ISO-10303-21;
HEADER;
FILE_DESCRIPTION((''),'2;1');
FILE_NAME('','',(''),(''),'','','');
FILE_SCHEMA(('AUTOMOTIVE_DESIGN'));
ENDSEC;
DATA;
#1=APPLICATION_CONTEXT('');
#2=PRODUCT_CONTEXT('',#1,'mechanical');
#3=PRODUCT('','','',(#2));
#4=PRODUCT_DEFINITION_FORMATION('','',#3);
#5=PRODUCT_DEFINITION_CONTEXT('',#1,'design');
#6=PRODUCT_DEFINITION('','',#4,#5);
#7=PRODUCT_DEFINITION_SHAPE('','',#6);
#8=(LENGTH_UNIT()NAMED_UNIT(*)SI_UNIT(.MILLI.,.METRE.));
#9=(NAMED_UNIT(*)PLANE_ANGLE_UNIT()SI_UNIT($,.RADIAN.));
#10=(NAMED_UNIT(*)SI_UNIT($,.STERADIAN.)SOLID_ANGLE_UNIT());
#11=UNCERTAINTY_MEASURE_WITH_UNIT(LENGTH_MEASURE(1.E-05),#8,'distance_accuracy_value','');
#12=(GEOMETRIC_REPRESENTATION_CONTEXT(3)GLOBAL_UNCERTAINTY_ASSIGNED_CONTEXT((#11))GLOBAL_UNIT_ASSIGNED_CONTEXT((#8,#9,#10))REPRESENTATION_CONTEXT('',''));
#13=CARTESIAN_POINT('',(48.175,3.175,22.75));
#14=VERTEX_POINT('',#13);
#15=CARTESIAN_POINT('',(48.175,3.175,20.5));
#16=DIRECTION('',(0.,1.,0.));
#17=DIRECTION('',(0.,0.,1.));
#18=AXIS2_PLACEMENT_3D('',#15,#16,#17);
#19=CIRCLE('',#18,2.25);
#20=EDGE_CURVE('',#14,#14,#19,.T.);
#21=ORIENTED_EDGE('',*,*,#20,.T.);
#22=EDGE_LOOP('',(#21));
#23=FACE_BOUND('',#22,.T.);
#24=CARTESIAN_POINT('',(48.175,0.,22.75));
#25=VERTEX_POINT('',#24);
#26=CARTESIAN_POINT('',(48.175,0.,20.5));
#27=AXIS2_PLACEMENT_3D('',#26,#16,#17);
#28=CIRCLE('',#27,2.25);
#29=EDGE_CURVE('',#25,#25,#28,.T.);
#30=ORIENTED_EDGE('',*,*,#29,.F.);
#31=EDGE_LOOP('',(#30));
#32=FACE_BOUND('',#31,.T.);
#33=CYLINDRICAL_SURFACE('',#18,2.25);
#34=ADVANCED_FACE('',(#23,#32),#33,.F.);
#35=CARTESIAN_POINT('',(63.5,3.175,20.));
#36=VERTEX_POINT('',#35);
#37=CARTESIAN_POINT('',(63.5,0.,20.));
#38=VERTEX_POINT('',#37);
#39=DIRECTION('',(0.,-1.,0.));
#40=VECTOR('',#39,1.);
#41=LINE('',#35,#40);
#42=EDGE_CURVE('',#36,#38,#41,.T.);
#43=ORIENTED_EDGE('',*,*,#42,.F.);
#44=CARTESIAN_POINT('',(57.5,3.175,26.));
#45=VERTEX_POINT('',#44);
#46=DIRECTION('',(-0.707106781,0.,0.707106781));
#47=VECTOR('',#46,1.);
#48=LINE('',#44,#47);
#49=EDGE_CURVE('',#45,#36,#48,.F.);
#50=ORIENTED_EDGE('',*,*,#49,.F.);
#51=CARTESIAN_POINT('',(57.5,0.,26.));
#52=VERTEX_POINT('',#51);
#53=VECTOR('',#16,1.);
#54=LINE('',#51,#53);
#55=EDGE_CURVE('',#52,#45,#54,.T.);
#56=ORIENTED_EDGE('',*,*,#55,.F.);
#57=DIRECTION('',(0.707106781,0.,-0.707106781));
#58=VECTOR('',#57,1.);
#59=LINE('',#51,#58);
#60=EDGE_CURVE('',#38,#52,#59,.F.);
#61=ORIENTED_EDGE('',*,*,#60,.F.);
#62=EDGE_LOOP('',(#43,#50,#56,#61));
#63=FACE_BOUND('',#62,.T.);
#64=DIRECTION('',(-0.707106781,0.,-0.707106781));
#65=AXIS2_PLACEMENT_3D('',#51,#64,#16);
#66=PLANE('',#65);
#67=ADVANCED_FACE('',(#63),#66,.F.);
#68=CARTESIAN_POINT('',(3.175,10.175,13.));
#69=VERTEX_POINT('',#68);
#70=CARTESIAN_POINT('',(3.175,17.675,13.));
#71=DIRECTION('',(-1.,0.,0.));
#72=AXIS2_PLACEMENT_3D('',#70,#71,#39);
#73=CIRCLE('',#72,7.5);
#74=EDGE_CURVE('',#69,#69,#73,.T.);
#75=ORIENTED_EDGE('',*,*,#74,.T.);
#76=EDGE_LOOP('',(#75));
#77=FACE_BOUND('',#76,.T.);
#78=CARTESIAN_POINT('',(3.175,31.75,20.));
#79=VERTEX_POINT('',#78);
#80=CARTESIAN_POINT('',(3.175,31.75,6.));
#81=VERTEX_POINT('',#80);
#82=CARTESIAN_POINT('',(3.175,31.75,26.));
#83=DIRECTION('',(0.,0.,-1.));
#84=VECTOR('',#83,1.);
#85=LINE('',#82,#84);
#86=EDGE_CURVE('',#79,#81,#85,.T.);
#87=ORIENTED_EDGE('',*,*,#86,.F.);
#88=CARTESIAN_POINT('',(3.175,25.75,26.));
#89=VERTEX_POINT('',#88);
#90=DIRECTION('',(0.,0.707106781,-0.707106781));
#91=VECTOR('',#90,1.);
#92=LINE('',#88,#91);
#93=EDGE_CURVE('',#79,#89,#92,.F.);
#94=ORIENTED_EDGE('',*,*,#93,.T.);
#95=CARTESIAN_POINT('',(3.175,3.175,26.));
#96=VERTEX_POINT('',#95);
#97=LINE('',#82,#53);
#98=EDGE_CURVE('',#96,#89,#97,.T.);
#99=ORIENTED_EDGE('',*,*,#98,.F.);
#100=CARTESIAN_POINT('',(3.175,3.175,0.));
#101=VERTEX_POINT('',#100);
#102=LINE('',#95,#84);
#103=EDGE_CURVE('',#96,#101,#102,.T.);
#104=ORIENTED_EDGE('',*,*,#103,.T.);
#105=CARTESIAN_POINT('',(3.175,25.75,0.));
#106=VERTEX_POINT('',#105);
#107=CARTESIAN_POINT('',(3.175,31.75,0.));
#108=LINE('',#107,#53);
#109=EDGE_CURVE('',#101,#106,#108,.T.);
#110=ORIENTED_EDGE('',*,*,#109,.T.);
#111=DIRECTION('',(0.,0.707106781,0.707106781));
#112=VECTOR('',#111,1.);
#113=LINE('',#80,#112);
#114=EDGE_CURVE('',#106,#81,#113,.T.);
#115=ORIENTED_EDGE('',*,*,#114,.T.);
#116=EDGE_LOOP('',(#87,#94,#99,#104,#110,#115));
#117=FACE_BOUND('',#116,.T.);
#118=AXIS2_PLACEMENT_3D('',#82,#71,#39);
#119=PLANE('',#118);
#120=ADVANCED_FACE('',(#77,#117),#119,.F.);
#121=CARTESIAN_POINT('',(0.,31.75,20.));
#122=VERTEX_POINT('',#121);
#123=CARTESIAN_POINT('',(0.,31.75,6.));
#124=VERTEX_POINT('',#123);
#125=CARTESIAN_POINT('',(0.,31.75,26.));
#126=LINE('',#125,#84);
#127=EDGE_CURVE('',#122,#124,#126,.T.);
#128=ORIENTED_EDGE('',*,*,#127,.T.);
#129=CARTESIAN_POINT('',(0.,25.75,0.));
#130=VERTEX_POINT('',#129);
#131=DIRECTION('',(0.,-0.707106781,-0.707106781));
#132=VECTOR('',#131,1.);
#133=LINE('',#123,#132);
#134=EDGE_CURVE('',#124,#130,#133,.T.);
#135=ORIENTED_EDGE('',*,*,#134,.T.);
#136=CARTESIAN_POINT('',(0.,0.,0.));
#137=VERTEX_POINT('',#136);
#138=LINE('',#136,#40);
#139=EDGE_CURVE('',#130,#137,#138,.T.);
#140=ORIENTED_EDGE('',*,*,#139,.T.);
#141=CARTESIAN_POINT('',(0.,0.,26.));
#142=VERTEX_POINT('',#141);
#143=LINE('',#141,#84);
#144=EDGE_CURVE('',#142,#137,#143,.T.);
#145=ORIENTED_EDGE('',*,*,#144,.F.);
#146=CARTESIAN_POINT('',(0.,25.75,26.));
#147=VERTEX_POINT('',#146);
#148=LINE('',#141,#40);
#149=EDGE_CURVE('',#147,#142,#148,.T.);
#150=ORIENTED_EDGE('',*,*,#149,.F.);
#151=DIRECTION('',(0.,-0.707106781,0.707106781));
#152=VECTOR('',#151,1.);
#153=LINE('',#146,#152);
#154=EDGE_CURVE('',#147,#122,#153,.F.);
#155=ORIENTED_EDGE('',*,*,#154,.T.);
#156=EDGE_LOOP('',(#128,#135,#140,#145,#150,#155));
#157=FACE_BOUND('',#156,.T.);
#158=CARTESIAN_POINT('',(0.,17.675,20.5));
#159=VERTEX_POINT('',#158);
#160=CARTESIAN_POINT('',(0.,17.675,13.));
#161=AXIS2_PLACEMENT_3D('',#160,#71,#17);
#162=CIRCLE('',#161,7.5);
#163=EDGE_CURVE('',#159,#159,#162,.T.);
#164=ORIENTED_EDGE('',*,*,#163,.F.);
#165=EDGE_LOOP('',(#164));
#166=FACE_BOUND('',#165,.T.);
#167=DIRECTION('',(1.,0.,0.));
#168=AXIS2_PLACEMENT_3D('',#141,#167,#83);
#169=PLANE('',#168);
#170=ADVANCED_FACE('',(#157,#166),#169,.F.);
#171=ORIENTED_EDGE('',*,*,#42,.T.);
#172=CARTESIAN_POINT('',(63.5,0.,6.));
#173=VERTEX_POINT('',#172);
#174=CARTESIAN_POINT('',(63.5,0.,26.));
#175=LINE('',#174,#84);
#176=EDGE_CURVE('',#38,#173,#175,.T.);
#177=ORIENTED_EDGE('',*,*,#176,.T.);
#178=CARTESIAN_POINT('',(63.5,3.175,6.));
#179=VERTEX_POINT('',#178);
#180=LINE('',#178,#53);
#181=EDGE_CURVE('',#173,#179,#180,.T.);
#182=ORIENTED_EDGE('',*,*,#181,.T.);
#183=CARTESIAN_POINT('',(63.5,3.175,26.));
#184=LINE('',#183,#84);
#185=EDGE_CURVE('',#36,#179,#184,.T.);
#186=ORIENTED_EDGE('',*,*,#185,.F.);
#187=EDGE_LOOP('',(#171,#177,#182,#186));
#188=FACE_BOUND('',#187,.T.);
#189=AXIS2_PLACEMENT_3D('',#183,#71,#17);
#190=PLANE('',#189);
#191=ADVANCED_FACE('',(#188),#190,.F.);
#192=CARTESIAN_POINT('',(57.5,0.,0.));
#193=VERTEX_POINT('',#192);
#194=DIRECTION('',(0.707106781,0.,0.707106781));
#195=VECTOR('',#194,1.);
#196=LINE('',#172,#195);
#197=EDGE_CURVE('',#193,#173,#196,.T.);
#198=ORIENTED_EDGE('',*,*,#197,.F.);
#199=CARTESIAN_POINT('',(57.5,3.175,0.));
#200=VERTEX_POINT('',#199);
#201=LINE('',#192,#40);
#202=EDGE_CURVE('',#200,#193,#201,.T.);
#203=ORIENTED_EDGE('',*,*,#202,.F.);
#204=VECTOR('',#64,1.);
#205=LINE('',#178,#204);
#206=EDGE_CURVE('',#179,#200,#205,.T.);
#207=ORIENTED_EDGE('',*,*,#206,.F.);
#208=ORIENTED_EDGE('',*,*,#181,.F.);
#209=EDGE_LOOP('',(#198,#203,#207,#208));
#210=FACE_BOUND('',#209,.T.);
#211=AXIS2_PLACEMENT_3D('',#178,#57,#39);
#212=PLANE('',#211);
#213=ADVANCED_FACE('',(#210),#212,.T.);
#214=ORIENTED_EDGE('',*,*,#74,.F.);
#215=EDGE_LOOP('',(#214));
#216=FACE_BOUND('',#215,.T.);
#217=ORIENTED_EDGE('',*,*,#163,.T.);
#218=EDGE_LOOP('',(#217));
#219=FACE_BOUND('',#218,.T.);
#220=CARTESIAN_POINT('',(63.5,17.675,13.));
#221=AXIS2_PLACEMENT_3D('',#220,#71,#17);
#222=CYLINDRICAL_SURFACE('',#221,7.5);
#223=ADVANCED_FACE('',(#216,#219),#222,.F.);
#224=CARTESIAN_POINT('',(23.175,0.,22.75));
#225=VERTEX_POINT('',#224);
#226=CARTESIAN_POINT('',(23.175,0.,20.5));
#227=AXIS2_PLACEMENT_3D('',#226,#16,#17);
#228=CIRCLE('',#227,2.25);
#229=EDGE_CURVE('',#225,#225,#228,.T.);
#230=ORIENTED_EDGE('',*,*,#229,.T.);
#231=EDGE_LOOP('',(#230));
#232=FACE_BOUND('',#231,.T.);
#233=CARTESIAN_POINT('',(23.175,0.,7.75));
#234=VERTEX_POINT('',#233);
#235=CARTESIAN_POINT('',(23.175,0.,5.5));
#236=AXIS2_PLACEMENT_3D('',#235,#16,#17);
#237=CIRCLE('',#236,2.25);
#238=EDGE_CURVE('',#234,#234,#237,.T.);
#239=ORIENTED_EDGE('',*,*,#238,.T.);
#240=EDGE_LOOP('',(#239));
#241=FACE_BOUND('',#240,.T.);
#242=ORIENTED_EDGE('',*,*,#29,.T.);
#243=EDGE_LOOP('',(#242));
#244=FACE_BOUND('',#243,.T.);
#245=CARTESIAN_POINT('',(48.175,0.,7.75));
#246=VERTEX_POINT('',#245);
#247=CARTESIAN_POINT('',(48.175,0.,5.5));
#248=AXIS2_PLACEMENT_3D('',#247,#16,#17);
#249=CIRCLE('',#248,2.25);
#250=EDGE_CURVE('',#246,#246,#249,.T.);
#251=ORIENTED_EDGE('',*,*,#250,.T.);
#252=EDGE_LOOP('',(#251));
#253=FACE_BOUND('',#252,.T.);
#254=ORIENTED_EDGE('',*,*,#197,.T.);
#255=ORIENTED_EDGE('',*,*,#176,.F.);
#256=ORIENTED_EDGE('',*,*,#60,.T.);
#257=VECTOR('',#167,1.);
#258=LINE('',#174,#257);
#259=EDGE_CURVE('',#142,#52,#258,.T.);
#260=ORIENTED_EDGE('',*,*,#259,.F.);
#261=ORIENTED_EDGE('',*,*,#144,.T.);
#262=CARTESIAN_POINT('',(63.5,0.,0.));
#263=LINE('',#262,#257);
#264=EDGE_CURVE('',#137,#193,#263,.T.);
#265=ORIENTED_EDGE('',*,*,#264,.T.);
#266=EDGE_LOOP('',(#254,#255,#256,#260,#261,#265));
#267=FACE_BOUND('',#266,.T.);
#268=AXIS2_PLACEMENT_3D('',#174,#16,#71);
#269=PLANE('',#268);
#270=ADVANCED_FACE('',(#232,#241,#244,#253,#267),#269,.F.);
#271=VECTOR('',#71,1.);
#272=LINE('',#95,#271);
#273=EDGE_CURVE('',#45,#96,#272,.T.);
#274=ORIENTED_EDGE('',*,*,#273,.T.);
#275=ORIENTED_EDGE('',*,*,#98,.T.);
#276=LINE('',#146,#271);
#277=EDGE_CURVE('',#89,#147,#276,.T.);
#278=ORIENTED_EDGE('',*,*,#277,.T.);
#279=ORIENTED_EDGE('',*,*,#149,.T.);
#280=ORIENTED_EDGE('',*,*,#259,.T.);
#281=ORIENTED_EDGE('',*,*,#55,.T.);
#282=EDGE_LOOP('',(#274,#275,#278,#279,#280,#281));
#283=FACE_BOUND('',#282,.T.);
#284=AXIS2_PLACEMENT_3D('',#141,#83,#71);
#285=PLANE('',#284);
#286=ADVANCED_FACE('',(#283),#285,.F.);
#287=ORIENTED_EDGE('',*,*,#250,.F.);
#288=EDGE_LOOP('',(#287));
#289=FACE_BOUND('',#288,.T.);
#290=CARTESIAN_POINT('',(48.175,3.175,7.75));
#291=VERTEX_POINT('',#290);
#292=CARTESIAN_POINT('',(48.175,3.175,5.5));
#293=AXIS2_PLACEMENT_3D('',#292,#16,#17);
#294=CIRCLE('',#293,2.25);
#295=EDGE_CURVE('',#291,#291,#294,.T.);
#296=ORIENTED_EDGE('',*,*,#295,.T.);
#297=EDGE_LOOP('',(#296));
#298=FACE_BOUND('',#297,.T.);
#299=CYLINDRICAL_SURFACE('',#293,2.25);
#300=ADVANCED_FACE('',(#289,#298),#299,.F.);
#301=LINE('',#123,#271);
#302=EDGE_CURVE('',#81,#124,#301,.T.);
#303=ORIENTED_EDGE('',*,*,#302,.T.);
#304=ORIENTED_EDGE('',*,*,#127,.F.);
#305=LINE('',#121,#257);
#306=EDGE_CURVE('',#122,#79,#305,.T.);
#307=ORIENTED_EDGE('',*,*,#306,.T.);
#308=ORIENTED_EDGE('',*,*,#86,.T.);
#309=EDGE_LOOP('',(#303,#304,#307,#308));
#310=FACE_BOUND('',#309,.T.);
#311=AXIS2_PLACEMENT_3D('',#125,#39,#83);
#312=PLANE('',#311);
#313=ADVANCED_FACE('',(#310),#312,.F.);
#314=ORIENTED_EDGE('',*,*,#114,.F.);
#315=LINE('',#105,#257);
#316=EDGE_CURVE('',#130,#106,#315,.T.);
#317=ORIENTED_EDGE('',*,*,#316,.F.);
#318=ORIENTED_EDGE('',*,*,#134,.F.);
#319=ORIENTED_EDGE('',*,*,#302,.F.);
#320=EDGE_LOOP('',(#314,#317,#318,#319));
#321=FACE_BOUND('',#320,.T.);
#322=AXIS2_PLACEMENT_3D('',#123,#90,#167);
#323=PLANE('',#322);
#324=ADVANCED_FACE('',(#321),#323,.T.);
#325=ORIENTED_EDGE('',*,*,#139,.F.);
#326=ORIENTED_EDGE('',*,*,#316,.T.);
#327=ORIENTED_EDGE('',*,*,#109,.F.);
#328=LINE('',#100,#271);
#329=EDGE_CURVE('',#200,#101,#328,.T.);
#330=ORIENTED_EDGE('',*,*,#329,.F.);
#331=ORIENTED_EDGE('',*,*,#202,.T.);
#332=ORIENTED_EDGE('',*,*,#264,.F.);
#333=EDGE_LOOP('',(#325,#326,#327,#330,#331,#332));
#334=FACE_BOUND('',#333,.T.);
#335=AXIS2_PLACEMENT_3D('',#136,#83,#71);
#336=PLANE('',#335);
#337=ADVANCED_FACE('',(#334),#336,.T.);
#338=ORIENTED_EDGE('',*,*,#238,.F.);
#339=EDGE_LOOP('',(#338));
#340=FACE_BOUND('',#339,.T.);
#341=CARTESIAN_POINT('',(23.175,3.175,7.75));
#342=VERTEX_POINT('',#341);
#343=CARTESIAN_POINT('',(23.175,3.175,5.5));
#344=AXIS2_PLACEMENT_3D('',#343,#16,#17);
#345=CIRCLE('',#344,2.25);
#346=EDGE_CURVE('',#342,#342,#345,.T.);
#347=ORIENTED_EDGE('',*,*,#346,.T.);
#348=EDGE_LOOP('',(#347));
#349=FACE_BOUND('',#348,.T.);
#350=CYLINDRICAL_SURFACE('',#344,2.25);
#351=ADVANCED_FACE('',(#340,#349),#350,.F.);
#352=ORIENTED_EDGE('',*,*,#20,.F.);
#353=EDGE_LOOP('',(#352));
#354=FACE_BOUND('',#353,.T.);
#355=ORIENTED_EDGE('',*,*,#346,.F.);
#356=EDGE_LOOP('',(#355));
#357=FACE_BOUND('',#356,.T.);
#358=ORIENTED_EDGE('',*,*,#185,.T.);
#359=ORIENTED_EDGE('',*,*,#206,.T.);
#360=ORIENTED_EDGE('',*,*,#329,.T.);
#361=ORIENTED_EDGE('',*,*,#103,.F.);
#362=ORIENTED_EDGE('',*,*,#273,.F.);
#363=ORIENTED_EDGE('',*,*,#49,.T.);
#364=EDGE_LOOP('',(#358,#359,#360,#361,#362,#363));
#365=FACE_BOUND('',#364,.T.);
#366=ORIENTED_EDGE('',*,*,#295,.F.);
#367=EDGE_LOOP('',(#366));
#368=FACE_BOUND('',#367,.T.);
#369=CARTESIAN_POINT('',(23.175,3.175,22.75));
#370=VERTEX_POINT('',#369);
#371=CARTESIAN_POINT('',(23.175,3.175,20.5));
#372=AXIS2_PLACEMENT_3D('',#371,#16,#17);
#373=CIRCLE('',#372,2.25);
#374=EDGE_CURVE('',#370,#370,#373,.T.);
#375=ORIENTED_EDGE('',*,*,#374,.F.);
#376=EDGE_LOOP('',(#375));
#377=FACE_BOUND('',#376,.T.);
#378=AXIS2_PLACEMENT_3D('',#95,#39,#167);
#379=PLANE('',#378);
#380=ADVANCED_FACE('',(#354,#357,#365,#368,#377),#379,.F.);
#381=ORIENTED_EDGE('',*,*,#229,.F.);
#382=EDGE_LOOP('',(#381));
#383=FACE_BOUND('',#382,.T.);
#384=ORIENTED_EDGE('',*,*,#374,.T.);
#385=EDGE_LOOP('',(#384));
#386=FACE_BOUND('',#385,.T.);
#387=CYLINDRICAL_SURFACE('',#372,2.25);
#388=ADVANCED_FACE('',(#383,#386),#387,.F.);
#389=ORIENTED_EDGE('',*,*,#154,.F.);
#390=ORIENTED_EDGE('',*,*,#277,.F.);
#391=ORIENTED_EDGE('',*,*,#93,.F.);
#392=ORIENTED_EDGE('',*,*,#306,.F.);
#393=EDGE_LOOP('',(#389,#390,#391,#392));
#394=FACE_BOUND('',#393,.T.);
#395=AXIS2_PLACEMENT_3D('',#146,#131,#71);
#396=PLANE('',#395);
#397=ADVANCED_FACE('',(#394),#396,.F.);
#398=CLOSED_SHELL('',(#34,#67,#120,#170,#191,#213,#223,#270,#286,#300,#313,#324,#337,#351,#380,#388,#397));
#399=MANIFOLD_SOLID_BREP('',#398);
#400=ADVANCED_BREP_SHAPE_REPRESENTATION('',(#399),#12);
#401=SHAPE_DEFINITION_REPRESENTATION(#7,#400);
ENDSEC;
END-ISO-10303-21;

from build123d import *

# Parameters (mm, degrees)
BOSS_EXTRUDE1_DEPTH  = 26
M4_CLEARANCE_HOLE1_D = 4.5
SKETCH5_R            = 7.5
CUT_EXTRUDE1_DEPTH   = 64.5
CHAMFER1_SIZE        = 6


with BuildPart() as part:
    # Sketch1 → Boss-Extrude1 (new body)
    with BuildSketch(Plane.XY):
        Polygon((0, 0), (0, 31.75), (3.175, 31.75), (3.175, 3.175), (63.5, 3.175), (63.5, 0), align=None)
    extrude(amount=BOSS_EXTRUDE1_DEPTH)

    # M4 Clearance Hole1 (through all)
    with Locations(Plane(origin=(0, 3.175, 0), x_dir=(1, 0, 0), z_dir=(0, 1, 0))):
        with Locations((23.175, -20.5), (23.175, -5.5), (48.175, -5.5), (48.175, -20.5)):
            Hole(M4_CLEARANCE_HOLE1_D / 2)

    # Sketch5 → Cut-Extrude1 (cut, through all)
    with BuildSketch(Plane.ZY):
        with Locations((13, 17.675)):
            Circle(SKETCH5_R)
    extrude(amount=-CUT_EXTRUDE1_DEPTH, mode=Mode.SUBTRACT)

    # Chamfer1
    chamfer1_edges = [part.edges().sort_by_distance(p)[0] for p in [
        (1.5875, 31.75, 26),
        (1.5875, 31.75, 0),
        (63.5, 1.5875, 0),
        (63.5, 1.5875, 26),
    ]]
    chamfer(chamfer1_edges, length=CHAMFER1_SIZE)


solid = part.part
